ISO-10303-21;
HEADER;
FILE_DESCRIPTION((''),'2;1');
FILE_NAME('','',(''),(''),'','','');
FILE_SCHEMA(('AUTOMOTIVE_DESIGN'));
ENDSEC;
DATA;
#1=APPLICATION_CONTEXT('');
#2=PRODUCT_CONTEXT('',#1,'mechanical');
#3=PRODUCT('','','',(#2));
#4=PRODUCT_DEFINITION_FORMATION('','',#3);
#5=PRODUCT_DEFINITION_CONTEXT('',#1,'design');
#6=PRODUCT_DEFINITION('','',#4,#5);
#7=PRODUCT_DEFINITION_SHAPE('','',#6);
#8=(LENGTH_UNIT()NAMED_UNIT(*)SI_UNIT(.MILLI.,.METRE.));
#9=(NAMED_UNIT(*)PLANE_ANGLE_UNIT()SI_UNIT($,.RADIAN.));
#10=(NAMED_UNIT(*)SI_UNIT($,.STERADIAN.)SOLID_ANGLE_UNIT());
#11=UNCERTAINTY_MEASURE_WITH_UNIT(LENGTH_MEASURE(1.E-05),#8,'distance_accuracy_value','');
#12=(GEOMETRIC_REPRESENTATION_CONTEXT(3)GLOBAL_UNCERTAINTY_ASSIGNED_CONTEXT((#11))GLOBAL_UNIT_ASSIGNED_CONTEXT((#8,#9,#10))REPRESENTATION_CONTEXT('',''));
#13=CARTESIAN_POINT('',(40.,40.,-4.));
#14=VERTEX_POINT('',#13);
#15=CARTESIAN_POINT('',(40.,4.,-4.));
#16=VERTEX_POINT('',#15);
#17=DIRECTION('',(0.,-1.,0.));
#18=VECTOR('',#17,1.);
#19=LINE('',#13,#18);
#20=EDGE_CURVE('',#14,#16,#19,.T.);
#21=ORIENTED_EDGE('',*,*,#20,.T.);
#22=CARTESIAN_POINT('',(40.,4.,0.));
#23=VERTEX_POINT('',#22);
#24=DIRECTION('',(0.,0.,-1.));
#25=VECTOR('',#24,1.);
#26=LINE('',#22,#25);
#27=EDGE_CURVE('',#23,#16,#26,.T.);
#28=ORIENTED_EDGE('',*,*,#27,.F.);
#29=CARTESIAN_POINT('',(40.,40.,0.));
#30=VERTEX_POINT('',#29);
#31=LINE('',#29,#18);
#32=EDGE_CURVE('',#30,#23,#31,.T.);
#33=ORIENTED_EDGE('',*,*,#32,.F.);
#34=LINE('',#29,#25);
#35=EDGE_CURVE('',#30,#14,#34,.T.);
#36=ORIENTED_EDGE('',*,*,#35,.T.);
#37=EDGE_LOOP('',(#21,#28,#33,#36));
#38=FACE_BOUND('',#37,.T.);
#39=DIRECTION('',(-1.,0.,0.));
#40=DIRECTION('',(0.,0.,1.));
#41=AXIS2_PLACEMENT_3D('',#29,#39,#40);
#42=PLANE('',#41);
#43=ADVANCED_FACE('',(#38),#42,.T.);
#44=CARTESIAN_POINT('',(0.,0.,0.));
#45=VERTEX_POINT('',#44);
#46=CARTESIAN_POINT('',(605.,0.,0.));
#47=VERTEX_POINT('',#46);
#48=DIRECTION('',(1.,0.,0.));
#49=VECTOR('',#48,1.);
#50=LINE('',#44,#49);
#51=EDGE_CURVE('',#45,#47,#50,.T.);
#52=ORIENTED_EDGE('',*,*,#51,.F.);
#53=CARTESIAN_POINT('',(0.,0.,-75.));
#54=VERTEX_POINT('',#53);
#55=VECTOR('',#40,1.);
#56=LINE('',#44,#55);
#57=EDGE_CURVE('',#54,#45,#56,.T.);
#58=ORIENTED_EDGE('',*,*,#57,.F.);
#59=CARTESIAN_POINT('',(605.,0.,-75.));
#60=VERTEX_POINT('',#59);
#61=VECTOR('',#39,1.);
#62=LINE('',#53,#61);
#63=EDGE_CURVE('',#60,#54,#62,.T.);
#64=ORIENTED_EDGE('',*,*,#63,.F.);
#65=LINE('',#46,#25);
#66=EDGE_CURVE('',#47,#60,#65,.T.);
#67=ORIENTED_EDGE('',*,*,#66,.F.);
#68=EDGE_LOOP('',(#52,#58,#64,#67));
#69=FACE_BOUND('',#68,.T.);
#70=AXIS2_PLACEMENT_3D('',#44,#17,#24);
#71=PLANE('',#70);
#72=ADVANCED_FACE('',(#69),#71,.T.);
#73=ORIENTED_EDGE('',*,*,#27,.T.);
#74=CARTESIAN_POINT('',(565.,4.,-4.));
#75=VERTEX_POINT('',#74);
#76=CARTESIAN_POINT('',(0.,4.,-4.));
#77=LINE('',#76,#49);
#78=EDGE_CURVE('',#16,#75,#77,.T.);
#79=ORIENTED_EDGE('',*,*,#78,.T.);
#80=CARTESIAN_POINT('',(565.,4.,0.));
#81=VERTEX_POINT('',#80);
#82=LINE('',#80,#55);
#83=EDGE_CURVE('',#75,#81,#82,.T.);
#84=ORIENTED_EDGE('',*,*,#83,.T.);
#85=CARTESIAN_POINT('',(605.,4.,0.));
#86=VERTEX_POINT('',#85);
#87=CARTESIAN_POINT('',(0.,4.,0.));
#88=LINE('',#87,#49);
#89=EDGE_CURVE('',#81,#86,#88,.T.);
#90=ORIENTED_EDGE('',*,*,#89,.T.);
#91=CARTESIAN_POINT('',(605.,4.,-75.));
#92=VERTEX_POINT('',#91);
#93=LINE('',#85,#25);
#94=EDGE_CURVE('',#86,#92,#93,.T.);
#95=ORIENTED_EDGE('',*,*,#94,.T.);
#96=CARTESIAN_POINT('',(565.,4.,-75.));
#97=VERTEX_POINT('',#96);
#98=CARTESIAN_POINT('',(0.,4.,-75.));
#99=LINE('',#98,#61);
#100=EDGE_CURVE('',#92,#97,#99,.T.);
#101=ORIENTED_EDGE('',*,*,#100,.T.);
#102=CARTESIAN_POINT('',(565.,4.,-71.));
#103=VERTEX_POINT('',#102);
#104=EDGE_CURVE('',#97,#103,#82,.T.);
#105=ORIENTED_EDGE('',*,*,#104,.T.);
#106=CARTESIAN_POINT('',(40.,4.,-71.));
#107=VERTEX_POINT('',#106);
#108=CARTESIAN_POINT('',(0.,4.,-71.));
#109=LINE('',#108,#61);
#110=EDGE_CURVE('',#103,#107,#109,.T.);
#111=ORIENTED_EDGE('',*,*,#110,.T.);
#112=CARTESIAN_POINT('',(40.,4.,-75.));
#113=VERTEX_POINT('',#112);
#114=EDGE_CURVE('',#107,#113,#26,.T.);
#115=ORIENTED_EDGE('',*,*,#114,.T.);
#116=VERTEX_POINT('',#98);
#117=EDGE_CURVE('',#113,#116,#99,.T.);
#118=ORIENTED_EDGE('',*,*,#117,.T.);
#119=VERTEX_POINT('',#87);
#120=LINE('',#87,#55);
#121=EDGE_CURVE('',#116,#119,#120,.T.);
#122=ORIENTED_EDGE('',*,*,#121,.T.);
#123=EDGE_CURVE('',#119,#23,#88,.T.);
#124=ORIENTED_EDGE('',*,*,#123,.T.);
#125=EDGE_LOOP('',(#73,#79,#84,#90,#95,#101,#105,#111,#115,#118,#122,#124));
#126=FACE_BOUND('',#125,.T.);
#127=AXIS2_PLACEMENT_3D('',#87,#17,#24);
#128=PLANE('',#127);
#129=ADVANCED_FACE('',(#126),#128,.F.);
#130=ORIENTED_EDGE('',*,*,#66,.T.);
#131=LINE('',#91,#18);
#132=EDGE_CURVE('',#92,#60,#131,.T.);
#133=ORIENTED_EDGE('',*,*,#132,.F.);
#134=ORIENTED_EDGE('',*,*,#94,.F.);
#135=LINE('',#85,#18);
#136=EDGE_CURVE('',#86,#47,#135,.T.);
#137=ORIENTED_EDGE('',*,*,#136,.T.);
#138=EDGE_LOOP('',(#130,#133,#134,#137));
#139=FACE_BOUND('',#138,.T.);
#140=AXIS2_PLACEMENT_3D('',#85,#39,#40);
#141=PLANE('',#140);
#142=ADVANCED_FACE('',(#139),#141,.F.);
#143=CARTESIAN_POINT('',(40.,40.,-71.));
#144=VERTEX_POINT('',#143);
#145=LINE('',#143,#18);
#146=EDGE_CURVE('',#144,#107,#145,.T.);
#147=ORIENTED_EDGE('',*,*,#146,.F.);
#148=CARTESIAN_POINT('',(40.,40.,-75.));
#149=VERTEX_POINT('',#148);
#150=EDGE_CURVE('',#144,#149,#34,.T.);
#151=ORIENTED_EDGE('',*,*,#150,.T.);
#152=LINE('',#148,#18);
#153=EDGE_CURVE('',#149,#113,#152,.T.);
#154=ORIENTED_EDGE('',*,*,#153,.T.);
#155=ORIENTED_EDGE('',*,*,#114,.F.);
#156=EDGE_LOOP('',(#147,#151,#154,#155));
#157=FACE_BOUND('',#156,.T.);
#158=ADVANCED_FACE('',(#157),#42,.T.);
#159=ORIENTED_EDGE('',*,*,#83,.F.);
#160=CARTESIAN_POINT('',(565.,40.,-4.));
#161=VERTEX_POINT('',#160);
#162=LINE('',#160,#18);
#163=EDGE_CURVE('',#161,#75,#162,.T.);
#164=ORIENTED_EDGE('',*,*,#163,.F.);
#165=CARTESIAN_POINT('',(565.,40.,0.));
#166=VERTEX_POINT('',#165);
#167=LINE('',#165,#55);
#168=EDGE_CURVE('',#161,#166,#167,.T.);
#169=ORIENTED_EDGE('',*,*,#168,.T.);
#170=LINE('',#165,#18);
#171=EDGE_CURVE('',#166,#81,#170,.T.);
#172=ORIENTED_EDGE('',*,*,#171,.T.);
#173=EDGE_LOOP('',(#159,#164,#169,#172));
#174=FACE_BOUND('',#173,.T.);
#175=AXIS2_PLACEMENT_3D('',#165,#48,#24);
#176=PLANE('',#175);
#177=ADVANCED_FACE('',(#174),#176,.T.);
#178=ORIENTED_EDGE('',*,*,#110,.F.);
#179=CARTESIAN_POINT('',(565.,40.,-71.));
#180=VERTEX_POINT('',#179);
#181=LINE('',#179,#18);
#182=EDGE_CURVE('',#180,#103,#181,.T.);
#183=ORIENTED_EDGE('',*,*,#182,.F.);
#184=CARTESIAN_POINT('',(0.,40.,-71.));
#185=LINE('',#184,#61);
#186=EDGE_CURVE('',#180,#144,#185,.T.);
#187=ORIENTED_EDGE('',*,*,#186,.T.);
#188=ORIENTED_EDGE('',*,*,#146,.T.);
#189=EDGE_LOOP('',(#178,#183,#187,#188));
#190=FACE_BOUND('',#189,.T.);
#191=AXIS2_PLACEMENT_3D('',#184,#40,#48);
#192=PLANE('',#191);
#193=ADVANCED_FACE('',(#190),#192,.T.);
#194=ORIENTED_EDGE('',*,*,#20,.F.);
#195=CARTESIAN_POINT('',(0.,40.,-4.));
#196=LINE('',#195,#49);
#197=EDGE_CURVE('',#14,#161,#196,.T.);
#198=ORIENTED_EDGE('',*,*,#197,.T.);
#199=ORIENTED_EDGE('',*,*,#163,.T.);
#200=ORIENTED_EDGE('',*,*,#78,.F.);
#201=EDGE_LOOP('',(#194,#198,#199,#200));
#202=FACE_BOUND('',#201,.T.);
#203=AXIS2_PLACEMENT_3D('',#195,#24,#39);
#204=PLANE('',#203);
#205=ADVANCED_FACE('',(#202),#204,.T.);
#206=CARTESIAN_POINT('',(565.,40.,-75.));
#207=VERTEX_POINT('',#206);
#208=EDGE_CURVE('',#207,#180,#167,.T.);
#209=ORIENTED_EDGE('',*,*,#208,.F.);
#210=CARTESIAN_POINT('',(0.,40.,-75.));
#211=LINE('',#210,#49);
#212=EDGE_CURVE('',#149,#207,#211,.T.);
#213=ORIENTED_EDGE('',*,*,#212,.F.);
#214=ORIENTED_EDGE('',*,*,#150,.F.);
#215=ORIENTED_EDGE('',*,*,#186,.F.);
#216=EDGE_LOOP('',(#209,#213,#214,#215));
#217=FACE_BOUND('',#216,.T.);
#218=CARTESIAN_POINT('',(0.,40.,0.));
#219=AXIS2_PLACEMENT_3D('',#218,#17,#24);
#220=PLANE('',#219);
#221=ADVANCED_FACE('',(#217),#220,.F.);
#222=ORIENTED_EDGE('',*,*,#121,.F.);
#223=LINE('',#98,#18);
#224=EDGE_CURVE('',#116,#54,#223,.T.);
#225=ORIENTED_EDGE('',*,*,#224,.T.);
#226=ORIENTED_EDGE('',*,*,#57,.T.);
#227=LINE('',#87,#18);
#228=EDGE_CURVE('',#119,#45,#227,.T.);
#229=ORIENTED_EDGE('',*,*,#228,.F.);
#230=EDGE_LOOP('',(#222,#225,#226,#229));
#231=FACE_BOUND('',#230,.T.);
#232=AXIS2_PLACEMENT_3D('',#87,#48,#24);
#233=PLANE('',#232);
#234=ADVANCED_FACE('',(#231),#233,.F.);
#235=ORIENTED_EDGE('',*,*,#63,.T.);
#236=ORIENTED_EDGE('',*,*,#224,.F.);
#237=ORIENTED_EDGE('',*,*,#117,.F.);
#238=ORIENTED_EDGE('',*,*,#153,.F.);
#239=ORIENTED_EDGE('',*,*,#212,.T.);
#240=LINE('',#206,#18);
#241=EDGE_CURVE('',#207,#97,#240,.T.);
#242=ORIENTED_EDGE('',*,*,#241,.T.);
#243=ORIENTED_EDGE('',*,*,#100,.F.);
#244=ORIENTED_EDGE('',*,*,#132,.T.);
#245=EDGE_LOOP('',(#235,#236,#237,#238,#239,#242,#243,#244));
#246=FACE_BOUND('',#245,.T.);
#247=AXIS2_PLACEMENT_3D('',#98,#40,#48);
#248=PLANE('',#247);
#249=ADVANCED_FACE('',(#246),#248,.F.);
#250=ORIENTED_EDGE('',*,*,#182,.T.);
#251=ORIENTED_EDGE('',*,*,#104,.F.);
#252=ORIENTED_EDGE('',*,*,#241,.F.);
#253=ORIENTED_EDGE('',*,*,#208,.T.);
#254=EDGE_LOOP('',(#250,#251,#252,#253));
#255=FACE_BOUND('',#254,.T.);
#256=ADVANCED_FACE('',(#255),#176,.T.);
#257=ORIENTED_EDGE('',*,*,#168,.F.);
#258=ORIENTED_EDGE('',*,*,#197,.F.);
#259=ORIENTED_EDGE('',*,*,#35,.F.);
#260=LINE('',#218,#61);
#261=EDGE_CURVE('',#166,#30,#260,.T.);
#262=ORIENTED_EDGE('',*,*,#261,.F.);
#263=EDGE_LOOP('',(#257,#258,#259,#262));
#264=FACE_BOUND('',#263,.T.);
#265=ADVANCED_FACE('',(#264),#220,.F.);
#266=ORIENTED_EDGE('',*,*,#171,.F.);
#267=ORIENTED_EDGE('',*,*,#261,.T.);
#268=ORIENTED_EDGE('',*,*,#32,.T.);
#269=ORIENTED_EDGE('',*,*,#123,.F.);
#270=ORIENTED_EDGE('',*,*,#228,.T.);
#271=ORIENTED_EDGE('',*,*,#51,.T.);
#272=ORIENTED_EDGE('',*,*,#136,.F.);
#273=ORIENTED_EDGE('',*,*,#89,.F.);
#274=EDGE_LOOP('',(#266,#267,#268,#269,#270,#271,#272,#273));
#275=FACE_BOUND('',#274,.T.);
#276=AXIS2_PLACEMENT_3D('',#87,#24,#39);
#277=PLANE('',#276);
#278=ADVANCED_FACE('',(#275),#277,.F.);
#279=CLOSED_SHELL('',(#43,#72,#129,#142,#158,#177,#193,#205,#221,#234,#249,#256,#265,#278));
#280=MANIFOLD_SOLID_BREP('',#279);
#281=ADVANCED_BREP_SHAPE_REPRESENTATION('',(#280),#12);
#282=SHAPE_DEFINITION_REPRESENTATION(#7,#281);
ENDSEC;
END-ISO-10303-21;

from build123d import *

# Parameters (mm, degrees)
SKETCH_2_W      = 605
SKETCH_2_H      = 75
EXTRUDE_1_DEPTH = 4
EXTRUDE_START   = -4
SKETCH_3_W      = 525
SKETCH_3_H      = 4
EXTRUDE_2_DEPTH = 40


with BuildPart() as part:
    # 스케치2 → 보스-돌출1 (new body)
    with BuildSketch(Plane(origin=(0, 0, 0), x_dir=(1, 0, 0), z_dir=(0, 1, 0))):
        with Locations((302.5, 37.5)):
            Rectangle(SKETCH_2_W, SKETCH_2_H)
    extrude(amount=EXTRUDE_1_DEPTH)

    # 스케치3 → 보스-돌출2 (add)
    with BuildSketch(Plane(origin=(0, 4, 0), x_dir=(1, 0, 0), z_dir=(0, 1, 0)).offset(EXTRUDE_START)):
        with Locations((302.5, 2)):
            Rectangle(SKETCH_3_W, SKETCH_3_H)
        with Locations((302.5, 73)):
            Rectangle(SKETCH_3_W, SKETCH_3_H)
    extrude(amount=EXTRUDE_2_DEPTH)


solid = part.part
